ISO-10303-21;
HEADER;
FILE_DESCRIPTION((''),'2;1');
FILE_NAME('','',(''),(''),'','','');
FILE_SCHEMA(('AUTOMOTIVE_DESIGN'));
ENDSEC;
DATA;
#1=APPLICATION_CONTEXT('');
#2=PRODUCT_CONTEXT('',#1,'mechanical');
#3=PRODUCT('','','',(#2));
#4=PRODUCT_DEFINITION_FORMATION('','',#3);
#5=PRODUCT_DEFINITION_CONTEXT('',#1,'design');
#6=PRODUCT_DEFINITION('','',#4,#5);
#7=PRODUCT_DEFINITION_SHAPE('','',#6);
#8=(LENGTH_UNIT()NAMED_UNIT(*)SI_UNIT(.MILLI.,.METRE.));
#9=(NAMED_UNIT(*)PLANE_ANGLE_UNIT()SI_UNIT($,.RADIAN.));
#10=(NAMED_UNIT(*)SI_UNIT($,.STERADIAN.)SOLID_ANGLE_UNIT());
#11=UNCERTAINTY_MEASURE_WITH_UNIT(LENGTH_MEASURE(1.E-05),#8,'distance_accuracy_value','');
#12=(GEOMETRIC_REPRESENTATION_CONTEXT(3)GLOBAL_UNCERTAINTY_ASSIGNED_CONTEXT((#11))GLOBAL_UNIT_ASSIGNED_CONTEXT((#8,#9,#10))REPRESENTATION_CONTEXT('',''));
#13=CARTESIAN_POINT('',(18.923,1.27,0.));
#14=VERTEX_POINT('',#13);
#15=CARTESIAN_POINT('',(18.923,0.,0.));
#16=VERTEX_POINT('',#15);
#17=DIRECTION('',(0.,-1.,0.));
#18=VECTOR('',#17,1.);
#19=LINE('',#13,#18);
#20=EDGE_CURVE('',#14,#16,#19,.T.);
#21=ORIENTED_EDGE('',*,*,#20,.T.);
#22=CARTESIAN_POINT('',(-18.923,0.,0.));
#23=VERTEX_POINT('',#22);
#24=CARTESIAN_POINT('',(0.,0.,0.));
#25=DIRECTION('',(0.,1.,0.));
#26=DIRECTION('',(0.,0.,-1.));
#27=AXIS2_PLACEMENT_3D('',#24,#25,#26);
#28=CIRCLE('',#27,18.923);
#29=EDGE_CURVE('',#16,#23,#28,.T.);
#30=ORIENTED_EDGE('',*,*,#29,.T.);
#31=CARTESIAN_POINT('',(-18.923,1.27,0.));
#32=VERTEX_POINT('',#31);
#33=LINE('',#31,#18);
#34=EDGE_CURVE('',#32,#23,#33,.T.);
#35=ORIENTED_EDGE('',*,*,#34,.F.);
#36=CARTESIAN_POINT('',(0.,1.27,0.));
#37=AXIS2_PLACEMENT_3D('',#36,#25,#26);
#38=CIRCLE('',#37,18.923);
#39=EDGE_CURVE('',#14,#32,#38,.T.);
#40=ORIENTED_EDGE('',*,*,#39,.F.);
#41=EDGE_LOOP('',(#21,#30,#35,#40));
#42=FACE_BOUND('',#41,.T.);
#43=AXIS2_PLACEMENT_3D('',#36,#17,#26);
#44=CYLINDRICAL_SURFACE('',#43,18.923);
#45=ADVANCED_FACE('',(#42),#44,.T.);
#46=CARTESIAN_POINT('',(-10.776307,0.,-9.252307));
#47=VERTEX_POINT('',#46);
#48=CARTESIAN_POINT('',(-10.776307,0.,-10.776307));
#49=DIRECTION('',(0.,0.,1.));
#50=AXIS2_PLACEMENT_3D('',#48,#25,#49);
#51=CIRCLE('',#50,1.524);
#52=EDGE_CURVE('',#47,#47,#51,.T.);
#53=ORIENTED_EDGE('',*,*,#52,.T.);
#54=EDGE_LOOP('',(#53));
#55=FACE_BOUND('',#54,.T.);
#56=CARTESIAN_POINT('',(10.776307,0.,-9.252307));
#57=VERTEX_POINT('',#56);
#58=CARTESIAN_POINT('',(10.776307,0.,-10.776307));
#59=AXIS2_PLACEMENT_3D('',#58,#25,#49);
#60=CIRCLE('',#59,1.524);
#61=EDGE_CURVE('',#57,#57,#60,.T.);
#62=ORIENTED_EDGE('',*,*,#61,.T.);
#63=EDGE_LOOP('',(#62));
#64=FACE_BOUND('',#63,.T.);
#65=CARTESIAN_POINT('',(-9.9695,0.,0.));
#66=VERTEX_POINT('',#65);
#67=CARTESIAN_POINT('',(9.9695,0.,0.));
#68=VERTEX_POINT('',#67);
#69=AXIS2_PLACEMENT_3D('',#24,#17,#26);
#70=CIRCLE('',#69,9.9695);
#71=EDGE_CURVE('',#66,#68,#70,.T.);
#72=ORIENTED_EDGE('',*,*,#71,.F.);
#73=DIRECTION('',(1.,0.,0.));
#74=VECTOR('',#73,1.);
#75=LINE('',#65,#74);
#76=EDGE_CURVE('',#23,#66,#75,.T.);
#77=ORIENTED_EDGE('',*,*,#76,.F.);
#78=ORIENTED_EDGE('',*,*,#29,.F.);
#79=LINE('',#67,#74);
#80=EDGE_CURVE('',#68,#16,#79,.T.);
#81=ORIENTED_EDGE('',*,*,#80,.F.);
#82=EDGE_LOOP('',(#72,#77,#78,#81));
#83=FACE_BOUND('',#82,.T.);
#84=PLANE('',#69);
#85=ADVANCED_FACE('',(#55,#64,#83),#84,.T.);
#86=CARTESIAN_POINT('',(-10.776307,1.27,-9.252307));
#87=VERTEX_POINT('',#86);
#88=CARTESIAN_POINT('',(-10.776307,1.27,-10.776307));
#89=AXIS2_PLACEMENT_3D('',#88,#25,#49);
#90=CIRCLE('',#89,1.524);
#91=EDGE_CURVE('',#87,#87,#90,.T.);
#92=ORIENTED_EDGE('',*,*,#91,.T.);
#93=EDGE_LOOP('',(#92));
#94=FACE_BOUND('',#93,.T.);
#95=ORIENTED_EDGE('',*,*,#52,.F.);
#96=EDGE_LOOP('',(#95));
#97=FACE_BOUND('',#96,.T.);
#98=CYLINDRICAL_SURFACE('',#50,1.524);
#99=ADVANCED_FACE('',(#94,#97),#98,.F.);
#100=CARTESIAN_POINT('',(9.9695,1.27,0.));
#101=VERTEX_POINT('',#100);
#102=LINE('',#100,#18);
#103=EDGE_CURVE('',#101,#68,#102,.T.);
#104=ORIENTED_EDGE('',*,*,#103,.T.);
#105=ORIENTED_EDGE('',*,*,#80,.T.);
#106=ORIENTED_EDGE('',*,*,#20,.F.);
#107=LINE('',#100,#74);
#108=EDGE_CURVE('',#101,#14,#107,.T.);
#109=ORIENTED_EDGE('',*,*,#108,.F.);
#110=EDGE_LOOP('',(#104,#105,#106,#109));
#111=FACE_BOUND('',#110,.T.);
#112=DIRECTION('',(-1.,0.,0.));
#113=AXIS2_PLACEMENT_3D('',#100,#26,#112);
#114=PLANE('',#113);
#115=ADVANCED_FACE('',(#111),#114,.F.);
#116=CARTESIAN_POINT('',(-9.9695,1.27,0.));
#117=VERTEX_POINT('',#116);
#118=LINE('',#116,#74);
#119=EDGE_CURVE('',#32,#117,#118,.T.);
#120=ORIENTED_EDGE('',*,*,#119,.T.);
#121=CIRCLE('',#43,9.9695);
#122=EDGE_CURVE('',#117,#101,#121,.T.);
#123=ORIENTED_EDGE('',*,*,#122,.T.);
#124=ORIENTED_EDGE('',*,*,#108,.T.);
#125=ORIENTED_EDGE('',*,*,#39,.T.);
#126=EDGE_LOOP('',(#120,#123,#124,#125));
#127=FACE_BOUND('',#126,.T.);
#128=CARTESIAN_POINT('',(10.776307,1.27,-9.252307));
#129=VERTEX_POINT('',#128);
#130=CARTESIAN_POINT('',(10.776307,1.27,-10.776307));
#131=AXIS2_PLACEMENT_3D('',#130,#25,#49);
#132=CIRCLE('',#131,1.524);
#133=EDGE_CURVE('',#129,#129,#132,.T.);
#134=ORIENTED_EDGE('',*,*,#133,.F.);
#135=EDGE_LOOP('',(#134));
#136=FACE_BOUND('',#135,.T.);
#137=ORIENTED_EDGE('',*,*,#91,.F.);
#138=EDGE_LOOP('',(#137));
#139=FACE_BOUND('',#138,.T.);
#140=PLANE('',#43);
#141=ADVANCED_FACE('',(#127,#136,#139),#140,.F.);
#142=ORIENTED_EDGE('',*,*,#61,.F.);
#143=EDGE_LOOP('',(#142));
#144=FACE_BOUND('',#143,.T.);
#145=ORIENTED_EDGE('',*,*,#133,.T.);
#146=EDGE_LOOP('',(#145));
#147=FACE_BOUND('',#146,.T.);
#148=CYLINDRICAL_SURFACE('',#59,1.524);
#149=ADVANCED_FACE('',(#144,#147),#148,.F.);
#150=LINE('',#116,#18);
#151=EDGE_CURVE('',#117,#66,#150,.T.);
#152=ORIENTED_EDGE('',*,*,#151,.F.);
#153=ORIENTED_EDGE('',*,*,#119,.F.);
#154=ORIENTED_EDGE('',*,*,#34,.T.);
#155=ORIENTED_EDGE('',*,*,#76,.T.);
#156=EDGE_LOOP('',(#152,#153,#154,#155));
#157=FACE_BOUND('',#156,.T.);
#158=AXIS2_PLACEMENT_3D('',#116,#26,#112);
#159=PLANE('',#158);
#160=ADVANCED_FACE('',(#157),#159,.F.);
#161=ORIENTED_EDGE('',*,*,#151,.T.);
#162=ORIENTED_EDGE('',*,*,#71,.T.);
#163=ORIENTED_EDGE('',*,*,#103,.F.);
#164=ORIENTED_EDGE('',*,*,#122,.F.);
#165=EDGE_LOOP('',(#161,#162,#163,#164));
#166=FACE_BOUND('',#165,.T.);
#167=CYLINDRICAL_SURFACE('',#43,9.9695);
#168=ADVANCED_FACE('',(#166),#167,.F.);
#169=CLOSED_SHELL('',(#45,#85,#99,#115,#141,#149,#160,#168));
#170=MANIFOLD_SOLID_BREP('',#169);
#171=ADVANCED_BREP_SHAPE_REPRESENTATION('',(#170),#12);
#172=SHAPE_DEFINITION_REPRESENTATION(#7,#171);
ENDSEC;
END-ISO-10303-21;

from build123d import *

# Parameters (mm, degrees)
BOSS_EXTRUDE1_DEPTH = 1.27
SKETCH2_R           = 1.524
CUT_EXTRUDE1_DEPTH  = 2.27


with BuildPart() as part:
    # Sketch1 → Boss-Extrude1 (new body)
    with BuildSketch(Plane(origin=(0, 0, 0), x_dir=(1, 0, 0), z_dir=(0, 1, 0))):
        with BuildLine():
            Line((-9.9695, 0), (-18.923, 0))
            ThreePointArc((-18.923, 0), (0, 18.923), (18.923, 0))
            Line((18.923, 0), (9.9695, 0))
            ThreePointArc((9.9695, 0), (0, 9.9695), (-9.9695, 0))
        make_face()
    extrude(amount=BOSS_EXTRUDE1_DEPTH)

    # Sketch2 → Cut-Extrude1 (cut, through all)
    with BuildSketch(Plane(origin=(0, 1.27, 0), x_dir=(1, 0, 0), z_dir=(0, 1, 0))):
        with Locations((-10.776307345, 10.776307345)):
            Circle(SKETCH2_R)
        with Locations((10.776307345, 10.776307345)):
            Circle(SKETCH2_R)
    extrude(amount=-CUT_EXTRUDE1_DEPTH, mode=Mode.SUBTRACT)


solid = part.part
